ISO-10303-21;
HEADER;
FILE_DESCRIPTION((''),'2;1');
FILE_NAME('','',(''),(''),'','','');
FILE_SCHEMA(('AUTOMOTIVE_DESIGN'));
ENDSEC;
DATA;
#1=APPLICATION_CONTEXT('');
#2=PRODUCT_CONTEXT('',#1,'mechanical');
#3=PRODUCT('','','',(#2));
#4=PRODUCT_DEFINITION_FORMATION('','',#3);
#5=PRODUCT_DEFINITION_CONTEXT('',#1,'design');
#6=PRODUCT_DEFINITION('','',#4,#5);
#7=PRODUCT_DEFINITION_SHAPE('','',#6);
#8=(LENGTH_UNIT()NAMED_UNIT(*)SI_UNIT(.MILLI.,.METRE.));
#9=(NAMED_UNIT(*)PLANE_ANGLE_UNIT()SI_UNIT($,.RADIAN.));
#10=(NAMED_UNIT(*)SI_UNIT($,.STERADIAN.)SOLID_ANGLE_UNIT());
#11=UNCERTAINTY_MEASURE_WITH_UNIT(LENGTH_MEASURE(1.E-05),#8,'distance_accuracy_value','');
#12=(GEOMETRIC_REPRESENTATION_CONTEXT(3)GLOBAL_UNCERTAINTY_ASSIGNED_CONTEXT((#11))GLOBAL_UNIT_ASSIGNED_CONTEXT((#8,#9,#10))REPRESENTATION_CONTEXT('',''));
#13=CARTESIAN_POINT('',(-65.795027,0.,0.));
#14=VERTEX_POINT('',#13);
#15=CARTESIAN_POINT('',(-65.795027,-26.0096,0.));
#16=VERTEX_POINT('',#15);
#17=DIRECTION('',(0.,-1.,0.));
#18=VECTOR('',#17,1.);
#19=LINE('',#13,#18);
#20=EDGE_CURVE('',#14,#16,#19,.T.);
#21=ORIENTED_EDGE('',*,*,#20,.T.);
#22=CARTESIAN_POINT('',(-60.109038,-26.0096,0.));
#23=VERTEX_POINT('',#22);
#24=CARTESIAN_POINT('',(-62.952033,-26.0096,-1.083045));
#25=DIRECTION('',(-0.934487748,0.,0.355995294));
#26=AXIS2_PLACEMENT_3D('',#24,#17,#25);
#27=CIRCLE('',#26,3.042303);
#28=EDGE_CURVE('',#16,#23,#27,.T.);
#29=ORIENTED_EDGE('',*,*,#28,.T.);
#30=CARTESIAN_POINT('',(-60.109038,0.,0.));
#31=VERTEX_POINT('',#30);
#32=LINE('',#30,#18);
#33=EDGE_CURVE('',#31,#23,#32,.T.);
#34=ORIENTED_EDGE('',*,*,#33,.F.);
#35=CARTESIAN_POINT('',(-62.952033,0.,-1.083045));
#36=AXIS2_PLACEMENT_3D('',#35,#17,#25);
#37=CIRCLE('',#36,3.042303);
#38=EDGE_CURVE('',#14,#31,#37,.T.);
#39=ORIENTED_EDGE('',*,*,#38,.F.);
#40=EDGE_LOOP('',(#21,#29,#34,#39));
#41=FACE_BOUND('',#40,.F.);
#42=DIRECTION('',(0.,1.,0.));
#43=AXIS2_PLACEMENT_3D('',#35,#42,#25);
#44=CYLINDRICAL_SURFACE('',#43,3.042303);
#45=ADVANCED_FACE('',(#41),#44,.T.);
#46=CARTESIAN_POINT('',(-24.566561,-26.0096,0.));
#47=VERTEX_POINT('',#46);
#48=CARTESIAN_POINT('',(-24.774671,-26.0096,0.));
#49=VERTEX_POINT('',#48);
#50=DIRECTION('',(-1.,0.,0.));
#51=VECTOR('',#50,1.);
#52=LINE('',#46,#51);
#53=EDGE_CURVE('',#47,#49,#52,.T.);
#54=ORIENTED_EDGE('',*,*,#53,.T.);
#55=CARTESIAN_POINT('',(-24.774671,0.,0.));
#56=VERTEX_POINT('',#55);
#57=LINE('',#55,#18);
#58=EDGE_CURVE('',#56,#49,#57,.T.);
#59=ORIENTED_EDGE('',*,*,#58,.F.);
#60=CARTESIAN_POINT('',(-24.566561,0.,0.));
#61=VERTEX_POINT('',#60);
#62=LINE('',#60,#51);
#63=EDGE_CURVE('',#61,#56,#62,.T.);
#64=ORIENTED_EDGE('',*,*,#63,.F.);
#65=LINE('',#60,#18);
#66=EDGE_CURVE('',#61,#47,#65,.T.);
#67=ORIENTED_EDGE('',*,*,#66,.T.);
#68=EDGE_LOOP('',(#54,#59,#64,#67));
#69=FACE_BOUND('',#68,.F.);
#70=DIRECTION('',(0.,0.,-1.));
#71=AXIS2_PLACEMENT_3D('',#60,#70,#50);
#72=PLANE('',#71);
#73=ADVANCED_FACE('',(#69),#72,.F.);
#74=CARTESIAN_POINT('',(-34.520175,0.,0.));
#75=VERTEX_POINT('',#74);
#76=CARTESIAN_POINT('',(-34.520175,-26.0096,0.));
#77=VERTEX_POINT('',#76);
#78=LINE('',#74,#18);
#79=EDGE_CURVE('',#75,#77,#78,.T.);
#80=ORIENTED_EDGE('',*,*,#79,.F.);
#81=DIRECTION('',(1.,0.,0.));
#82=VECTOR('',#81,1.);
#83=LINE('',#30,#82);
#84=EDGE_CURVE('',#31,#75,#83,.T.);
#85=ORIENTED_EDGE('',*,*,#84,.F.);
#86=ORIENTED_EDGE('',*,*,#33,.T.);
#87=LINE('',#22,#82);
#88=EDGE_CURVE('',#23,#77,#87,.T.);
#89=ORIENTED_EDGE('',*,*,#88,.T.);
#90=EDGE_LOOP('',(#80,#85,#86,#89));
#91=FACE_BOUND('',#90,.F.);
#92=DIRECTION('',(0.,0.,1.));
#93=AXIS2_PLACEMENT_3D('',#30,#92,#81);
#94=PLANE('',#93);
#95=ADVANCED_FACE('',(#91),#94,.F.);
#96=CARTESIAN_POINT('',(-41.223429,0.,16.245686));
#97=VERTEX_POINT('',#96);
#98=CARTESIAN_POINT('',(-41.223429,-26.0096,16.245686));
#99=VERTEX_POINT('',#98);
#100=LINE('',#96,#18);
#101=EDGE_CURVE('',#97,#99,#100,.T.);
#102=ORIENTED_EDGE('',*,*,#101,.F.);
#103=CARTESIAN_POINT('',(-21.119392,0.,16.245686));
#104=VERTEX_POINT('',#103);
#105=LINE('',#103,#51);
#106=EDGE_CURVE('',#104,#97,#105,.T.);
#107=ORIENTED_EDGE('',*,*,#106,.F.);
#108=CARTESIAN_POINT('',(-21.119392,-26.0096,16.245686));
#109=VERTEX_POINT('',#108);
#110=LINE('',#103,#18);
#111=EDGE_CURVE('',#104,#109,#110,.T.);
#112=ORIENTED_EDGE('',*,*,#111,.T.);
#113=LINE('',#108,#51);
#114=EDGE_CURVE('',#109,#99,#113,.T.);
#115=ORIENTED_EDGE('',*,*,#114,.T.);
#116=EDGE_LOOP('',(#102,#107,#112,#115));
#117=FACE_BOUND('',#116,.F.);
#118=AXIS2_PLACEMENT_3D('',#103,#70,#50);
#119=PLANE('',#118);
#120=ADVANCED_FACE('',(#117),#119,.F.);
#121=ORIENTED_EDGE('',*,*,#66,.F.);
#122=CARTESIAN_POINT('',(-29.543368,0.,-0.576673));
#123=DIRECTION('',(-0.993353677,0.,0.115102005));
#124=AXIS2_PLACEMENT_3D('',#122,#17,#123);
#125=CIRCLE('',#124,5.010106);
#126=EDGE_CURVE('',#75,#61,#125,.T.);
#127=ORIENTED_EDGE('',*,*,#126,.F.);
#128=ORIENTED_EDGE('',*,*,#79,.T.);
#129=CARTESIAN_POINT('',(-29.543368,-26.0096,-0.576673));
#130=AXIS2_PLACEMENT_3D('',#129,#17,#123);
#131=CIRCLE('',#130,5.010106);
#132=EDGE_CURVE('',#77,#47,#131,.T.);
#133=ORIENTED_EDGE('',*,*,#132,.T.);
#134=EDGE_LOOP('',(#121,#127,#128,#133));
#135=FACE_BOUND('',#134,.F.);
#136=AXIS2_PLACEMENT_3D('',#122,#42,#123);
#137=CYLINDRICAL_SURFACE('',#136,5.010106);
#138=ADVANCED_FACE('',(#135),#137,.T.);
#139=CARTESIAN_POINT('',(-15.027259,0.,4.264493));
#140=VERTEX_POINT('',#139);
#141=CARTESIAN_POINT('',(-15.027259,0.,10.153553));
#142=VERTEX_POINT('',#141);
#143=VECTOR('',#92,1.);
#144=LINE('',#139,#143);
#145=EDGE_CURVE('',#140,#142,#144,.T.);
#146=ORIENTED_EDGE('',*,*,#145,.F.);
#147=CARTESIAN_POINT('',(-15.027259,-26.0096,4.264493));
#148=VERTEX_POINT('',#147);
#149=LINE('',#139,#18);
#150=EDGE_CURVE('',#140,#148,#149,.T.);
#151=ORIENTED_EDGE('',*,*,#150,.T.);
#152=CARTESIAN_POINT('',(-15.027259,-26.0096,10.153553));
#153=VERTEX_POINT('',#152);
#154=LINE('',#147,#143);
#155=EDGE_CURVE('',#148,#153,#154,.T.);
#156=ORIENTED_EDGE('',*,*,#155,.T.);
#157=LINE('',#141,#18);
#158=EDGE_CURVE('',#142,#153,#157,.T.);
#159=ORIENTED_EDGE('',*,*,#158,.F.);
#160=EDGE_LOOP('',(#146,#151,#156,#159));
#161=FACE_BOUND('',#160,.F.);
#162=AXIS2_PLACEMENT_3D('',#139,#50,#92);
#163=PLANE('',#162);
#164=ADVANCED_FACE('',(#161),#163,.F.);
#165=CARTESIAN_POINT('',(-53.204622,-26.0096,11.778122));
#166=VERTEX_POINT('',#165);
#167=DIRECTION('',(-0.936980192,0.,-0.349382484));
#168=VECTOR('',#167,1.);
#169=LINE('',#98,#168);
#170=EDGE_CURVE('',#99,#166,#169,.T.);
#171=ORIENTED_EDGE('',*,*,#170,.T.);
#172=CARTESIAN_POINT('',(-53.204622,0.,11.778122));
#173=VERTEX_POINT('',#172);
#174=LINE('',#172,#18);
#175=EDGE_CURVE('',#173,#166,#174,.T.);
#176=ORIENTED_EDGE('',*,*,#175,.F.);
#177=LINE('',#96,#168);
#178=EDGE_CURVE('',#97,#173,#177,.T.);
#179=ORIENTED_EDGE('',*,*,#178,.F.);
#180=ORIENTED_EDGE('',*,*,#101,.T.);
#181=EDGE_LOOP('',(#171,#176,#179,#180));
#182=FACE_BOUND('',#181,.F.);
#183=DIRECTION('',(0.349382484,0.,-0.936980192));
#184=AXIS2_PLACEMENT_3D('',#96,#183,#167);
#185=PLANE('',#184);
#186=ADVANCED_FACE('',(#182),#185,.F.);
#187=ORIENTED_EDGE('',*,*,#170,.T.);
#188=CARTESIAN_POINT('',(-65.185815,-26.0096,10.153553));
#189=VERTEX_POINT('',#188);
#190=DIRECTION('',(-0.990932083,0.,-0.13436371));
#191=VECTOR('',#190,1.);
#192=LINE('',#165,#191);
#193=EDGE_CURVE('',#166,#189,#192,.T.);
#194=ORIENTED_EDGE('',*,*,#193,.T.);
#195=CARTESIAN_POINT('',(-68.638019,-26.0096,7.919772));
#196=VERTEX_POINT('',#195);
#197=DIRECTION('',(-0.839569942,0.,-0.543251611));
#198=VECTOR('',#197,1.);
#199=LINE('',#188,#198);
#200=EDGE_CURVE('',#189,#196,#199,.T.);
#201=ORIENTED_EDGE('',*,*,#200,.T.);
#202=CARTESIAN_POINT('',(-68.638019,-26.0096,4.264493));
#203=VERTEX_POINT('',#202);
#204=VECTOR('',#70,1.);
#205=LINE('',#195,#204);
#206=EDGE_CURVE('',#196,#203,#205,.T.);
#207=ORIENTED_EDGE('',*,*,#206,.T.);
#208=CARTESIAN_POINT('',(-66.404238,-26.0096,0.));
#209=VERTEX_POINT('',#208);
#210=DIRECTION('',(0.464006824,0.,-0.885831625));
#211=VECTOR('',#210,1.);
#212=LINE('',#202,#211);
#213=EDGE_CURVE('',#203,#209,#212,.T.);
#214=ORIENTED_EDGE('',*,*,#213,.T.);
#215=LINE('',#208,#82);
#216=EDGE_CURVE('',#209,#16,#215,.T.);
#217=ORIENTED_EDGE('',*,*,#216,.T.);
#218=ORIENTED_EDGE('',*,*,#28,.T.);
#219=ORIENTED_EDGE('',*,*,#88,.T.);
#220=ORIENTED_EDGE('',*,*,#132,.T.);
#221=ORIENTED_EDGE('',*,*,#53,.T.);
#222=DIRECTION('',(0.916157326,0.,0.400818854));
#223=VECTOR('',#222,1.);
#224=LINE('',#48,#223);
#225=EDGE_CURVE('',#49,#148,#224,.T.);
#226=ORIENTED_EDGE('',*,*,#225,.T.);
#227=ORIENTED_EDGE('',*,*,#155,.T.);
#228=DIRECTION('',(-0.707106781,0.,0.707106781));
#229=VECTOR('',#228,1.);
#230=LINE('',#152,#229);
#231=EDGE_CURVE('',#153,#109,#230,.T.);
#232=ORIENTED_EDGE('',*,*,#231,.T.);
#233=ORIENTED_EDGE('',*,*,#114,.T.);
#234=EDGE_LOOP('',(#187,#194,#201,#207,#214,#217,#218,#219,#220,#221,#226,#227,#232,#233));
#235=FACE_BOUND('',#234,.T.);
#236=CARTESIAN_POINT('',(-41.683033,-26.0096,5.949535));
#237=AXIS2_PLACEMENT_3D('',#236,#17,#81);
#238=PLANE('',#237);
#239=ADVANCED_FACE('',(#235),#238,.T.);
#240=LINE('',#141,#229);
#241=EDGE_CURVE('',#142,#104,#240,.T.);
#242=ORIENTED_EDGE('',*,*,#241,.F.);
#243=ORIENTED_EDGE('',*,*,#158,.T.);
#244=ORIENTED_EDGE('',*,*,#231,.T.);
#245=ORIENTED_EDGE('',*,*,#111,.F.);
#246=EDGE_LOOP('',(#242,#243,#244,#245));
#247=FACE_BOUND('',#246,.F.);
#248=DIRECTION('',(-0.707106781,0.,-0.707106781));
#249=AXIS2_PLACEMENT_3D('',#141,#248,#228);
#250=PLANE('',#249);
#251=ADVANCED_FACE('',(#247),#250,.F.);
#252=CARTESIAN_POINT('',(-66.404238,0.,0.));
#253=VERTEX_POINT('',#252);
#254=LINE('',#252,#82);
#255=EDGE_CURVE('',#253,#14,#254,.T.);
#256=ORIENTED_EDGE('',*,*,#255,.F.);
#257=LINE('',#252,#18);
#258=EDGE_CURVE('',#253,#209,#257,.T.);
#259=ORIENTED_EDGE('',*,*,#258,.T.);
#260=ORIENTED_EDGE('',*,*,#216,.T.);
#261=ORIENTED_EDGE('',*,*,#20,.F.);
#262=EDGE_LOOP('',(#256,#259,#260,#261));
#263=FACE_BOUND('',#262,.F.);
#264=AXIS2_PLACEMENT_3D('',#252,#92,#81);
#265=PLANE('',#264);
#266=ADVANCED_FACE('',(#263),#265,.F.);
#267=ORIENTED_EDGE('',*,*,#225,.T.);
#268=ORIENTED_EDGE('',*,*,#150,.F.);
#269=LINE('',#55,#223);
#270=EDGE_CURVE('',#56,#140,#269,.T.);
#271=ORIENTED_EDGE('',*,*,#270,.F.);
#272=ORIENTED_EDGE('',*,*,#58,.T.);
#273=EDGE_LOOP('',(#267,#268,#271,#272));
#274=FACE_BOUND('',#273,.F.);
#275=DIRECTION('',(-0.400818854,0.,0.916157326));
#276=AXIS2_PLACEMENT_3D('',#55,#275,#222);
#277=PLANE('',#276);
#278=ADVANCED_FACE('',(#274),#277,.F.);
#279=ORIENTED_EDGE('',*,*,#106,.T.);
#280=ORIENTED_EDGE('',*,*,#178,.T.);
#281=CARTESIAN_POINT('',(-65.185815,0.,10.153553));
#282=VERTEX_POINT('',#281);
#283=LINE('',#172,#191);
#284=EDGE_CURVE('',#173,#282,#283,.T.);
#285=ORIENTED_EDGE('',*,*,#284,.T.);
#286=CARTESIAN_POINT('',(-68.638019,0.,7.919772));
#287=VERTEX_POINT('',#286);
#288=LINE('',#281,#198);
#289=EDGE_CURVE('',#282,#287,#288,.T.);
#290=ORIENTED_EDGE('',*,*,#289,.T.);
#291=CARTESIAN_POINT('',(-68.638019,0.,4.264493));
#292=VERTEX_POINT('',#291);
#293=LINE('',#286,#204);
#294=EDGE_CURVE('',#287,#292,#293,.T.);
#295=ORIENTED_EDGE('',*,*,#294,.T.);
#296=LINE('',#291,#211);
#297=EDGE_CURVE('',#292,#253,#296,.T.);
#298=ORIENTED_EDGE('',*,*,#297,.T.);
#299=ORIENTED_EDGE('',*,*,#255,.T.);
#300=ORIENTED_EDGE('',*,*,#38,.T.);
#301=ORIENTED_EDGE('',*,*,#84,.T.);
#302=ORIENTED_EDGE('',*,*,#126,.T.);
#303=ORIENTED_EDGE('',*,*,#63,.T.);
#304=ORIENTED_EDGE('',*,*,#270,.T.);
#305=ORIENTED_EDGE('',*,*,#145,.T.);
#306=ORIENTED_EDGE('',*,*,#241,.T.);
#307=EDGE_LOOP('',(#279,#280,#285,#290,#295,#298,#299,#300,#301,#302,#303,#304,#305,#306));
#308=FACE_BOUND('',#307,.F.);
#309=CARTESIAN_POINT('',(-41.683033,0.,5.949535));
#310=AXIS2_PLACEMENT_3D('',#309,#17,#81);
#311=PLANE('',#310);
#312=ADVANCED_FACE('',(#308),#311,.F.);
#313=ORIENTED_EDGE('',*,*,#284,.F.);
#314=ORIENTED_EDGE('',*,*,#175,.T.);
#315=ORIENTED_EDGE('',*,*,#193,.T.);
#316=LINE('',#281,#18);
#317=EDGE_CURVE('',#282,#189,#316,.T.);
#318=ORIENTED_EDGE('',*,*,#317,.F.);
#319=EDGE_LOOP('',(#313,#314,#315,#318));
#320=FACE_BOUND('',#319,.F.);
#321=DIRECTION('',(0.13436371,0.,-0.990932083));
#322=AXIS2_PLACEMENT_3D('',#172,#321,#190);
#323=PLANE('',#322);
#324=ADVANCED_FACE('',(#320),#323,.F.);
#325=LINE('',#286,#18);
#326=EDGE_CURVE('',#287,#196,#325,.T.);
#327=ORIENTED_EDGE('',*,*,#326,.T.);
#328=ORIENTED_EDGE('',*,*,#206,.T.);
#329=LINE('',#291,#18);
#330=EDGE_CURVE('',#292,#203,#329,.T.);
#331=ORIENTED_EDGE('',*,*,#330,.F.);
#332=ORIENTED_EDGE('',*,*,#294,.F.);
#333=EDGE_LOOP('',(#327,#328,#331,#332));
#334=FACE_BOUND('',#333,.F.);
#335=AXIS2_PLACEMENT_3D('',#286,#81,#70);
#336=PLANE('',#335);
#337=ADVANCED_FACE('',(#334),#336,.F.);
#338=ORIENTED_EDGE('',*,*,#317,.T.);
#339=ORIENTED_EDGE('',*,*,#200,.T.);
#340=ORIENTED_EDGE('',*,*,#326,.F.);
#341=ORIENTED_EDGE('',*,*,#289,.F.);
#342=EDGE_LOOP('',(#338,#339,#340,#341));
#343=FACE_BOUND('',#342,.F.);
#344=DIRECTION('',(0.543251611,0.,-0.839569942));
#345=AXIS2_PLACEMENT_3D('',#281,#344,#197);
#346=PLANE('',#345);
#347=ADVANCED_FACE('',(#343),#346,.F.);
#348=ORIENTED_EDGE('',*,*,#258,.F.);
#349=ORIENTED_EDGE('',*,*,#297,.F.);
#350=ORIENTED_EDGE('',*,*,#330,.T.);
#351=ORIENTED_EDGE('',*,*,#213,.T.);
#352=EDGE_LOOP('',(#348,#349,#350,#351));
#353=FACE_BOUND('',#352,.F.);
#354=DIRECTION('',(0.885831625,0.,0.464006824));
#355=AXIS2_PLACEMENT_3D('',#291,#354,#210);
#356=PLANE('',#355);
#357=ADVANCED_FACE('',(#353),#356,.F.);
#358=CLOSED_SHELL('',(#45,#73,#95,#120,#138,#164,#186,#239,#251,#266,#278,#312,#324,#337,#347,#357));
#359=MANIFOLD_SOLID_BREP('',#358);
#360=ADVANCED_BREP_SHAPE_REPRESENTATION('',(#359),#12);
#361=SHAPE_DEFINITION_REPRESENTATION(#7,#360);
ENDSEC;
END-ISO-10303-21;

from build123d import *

# Parameters (mm, degrees)
F4_DEPTH = 26.0096


with BuildPart() as f4:
    # F3 (on Front) → F4 (new body)
    with BuildSketch(Plane.XZ):
        with BuildLine():
            Line((-15.027259, 4.264493), (-15.027259, 10.153553))
            Line((-15.027259, 10.153553), (-21.119392, 16.245686))
            Line((-21.119392, 16.245686), (-41.223429, 16.245686))
            Line((-41.223429, 16.245686), (-53.204622, 11.778122))
            Line((-53.204622, 11.778122), (-65.185815, 10.153553))
            Line((-65.185815, 10.153553), (-68.638019, 7.919772))
            Line((-68.638019, 7.919772), (-68.638019, 4.264493))
            Line((-68.638019, 4.264493), (-66.404238, 0))
            Line((-66.404238, 0), (-65.795027, 0))
            ThreePointArc((-65.795027, 0), (-62.952032, -4.125348), (-60.109038, 0))
            Line((-60.109038, 0), (-34.520175, 0))
            ThreePointArc((-34.520175, 0), (-29.543368, -5.586779), (-24.566561, 0))
            Line((-24.566561, 0), (-24.774671, 0))
            Line((-24.774671, 0), (-15.027259, 4.264493))
        make_face()
    extrude(amount=F4_DEPTH)


solid = f4.part
